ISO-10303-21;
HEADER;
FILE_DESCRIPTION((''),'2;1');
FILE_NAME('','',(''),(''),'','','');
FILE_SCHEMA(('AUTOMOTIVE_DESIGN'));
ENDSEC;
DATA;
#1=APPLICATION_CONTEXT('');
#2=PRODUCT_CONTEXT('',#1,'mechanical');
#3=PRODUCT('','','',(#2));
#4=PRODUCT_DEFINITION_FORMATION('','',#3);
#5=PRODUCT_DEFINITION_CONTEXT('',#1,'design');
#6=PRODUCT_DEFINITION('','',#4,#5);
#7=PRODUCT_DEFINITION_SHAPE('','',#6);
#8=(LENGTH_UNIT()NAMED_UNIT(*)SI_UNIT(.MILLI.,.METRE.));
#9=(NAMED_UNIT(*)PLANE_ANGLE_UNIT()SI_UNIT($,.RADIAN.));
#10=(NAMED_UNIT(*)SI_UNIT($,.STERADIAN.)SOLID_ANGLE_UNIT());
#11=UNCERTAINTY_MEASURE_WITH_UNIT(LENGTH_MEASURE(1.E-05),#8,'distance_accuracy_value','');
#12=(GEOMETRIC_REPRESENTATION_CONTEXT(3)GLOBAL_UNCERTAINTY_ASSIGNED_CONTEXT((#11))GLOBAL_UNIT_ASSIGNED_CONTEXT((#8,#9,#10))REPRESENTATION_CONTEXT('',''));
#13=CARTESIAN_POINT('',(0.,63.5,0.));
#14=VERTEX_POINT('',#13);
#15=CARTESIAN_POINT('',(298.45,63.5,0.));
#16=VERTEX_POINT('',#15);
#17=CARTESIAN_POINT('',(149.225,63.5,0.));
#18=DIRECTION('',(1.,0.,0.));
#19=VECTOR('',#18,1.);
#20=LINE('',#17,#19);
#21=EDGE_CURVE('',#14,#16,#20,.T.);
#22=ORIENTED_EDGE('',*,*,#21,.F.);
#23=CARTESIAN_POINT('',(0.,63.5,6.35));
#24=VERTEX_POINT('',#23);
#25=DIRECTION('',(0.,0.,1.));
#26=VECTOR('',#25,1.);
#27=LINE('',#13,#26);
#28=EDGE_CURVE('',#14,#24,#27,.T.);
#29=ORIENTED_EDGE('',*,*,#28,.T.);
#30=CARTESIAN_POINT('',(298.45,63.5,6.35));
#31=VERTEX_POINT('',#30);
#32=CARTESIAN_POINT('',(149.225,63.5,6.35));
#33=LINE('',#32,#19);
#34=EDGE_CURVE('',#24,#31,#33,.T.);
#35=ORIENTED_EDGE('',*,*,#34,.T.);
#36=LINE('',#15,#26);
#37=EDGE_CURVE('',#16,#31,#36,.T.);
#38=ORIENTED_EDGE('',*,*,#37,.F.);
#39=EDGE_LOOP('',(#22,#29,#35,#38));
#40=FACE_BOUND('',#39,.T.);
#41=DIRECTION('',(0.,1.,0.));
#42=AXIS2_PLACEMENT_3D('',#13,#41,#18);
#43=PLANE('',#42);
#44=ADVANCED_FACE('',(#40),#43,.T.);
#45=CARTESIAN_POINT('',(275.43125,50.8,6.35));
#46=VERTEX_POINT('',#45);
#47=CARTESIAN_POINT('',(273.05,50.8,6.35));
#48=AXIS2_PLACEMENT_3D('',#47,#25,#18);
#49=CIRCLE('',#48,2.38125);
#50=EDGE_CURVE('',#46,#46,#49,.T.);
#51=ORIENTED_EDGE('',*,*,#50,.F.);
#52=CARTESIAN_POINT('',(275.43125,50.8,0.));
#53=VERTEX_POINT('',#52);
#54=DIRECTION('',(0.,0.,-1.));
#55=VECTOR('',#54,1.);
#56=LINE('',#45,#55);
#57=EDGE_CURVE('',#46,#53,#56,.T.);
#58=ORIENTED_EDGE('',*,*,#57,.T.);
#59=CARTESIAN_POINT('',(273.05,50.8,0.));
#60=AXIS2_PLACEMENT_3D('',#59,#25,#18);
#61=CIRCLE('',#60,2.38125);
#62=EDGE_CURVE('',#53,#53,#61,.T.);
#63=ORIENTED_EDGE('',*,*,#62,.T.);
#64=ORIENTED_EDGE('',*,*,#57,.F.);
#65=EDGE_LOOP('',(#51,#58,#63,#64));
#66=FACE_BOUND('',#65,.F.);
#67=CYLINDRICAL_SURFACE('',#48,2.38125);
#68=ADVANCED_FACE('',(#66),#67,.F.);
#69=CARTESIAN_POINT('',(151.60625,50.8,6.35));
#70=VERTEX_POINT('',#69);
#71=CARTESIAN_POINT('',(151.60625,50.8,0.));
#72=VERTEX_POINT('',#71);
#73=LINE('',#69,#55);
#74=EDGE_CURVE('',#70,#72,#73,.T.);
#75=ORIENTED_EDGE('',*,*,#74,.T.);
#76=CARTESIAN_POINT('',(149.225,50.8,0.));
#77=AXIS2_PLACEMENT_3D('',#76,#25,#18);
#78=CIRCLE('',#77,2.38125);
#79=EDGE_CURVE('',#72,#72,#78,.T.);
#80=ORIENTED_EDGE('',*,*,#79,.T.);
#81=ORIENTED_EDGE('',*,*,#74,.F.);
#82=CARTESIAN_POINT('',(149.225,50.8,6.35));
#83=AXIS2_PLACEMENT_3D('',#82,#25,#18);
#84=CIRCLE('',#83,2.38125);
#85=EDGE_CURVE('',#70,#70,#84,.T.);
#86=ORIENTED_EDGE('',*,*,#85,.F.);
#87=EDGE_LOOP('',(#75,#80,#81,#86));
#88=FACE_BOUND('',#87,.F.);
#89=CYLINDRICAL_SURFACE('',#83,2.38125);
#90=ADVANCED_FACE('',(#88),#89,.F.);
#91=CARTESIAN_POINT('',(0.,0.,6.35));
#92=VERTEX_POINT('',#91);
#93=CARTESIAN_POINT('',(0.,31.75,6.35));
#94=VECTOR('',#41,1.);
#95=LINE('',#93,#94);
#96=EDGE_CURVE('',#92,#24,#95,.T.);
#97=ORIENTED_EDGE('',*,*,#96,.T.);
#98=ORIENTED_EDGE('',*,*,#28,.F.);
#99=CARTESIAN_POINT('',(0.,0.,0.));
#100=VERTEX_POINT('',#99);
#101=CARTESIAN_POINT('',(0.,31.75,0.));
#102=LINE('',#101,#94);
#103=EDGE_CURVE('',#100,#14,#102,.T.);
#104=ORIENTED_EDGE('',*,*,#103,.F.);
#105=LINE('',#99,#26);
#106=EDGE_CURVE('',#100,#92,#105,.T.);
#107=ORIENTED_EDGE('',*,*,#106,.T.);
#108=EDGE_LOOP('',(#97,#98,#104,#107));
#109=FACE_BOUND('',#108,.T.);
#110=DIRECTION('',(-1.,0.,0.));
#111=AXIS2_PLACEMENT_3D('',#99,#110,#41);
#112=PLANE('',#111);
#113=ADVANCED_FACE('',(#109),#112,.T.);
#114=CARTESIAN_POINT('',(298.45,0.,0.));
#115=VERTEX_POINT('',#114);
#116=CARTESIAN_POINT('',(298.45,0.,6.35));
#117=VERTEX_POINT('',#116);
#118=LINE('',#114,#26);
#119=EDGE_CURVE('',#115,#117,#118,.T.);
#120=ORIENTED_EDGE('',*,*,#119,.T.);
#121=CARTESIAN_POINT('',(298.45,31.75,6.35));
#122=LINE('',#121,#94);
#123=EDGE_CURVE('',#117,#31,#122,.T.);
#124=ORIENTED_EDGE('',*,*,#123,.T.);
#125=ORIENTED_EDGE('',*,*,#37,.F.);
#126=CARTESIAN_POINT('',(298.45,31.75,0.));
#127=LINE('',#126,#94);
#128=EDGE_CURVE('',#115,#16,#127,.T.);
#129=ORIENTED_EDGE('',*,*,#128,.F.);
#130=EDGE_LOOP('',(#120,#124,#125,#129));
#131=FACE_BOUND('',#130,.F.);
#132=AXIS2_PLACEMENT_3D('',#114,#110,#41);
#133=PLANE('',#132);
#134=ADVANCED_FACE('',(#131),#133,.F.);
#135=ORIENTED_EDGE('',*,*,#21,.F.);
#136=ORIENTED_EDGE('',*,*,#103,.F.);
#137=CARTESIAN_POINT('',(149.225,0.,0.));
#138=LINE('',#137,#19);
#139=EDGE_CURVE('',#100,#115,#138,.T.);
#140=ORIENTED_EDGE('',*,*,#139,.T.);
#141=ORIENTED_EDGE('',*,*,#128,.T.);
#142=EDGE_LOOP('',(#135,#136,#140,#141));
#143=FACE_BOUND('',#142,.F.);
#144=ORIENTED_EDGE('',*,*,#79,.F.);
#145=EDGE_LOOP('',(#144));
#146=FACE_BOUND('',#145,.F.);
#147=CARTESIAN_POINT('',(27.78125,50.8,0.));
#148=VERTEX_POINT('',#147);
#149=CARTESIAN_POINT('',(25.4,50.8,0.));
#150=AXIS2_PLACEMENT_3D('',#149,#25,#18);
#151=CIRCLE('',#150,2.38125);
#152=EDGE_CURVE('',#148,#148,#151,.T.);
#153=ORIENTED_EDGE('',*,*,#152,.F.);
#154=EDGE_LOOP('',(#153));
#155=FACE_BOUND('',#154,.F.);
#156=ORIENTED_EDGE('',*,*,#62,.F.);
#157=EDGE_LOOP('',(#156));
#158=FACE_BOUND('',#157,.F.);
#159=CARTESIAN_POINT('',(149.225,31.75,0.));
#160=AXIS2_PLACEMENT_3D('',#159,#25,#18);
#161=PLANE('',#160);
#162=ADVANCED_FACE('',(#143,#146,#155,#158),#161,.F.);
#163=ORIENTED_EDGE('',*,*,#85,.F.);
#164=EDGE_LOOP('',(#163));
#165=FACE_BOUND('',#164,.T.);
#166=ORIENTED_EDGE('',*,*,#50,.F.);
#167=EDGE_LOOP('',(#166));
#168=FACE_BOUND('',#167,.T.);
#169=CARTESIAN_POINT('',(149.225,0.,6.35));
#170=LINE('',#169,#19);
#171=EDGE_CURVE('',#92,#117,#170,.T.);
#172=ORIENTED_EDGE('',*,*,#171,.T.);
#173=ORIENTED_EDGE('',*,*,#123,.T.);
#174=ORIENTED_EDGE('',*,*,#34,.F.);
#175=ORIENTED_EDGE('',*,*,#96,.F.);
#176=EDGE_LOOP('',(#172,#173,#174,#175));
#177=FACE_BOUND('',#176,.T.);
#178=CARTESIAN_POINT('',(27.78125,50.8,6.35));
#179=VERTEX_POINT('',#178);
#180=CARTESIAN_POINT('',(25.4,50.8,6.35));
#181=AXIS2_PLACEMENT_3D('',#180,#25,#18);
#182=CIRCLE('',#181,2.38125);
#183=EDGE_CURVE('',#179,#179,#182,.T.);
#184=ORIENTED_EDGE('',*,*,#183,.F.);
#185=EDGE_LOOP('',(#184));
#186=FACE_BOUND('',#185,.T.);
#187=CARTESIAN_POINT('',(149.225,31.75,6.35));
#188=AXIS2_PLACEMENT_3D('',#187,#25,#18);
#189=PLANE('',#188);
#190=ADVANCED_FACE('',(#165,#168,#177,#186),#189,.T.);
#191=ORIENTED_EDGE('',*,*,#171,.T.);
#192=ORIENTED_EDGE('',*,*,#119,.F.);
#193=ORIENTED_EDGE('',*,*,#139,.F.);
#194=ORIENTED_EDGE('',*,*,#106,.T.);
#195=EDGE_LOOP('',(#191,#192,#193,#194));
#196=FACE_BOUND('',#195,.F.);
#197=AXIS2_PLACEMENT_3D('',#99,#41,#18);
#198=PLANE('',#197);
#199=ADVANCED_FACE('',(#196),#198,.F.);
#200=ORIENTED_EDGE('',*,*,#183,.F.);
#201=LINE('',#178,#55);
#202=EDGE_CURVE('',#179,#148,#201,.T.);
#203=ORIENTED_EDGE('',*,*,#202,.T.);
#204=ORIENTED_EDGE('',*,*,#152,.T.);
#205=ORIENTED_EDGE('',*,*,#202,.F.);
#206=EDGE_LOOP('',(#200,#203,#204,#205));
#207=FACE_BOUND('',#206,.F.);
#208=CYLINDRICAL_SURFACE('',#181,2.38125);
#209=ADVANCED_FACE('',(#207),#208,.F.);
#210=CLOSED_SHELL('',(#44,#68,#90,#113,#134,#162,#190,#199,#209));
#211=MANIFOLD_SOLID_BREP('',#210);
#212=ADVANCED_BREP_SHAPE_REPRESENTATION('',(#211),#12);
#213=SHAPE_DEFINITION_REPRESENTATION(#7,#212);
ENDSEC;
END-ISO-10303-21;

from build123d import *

# Parameters (mm, degrees)
F0_W     = 298.45
F0_H     = 63.5
F1_DEPTH = 6.35
F2_R     = 2.38125
F3_DEPTH = 6.351


with BuildPart() as f1:
    # F0 (on Top) → F1 (new body)
    with BuildSketch(Plane.XY):
        with Locations((149.225, 31.75)):
            Rectangle(F0_W, F0_H)
    extrude(amount=F1_DEPTH)

    # F2 (on face) → F3 (cut, through all)
    with BuildSketch(Plane.XY.offset(6.35)):
        with Locations((25.4, 50.8)):
            Circle(F2_R)
        with Locations((149.225, 50.8)):
            Circle(F2_R)
        with Locations((273.05, 50.8)):
            Circle(F2_R)
    extrude(amount=-F3_DEPTH, mode=Mode.SUBTRACT)


solid = f1.part
